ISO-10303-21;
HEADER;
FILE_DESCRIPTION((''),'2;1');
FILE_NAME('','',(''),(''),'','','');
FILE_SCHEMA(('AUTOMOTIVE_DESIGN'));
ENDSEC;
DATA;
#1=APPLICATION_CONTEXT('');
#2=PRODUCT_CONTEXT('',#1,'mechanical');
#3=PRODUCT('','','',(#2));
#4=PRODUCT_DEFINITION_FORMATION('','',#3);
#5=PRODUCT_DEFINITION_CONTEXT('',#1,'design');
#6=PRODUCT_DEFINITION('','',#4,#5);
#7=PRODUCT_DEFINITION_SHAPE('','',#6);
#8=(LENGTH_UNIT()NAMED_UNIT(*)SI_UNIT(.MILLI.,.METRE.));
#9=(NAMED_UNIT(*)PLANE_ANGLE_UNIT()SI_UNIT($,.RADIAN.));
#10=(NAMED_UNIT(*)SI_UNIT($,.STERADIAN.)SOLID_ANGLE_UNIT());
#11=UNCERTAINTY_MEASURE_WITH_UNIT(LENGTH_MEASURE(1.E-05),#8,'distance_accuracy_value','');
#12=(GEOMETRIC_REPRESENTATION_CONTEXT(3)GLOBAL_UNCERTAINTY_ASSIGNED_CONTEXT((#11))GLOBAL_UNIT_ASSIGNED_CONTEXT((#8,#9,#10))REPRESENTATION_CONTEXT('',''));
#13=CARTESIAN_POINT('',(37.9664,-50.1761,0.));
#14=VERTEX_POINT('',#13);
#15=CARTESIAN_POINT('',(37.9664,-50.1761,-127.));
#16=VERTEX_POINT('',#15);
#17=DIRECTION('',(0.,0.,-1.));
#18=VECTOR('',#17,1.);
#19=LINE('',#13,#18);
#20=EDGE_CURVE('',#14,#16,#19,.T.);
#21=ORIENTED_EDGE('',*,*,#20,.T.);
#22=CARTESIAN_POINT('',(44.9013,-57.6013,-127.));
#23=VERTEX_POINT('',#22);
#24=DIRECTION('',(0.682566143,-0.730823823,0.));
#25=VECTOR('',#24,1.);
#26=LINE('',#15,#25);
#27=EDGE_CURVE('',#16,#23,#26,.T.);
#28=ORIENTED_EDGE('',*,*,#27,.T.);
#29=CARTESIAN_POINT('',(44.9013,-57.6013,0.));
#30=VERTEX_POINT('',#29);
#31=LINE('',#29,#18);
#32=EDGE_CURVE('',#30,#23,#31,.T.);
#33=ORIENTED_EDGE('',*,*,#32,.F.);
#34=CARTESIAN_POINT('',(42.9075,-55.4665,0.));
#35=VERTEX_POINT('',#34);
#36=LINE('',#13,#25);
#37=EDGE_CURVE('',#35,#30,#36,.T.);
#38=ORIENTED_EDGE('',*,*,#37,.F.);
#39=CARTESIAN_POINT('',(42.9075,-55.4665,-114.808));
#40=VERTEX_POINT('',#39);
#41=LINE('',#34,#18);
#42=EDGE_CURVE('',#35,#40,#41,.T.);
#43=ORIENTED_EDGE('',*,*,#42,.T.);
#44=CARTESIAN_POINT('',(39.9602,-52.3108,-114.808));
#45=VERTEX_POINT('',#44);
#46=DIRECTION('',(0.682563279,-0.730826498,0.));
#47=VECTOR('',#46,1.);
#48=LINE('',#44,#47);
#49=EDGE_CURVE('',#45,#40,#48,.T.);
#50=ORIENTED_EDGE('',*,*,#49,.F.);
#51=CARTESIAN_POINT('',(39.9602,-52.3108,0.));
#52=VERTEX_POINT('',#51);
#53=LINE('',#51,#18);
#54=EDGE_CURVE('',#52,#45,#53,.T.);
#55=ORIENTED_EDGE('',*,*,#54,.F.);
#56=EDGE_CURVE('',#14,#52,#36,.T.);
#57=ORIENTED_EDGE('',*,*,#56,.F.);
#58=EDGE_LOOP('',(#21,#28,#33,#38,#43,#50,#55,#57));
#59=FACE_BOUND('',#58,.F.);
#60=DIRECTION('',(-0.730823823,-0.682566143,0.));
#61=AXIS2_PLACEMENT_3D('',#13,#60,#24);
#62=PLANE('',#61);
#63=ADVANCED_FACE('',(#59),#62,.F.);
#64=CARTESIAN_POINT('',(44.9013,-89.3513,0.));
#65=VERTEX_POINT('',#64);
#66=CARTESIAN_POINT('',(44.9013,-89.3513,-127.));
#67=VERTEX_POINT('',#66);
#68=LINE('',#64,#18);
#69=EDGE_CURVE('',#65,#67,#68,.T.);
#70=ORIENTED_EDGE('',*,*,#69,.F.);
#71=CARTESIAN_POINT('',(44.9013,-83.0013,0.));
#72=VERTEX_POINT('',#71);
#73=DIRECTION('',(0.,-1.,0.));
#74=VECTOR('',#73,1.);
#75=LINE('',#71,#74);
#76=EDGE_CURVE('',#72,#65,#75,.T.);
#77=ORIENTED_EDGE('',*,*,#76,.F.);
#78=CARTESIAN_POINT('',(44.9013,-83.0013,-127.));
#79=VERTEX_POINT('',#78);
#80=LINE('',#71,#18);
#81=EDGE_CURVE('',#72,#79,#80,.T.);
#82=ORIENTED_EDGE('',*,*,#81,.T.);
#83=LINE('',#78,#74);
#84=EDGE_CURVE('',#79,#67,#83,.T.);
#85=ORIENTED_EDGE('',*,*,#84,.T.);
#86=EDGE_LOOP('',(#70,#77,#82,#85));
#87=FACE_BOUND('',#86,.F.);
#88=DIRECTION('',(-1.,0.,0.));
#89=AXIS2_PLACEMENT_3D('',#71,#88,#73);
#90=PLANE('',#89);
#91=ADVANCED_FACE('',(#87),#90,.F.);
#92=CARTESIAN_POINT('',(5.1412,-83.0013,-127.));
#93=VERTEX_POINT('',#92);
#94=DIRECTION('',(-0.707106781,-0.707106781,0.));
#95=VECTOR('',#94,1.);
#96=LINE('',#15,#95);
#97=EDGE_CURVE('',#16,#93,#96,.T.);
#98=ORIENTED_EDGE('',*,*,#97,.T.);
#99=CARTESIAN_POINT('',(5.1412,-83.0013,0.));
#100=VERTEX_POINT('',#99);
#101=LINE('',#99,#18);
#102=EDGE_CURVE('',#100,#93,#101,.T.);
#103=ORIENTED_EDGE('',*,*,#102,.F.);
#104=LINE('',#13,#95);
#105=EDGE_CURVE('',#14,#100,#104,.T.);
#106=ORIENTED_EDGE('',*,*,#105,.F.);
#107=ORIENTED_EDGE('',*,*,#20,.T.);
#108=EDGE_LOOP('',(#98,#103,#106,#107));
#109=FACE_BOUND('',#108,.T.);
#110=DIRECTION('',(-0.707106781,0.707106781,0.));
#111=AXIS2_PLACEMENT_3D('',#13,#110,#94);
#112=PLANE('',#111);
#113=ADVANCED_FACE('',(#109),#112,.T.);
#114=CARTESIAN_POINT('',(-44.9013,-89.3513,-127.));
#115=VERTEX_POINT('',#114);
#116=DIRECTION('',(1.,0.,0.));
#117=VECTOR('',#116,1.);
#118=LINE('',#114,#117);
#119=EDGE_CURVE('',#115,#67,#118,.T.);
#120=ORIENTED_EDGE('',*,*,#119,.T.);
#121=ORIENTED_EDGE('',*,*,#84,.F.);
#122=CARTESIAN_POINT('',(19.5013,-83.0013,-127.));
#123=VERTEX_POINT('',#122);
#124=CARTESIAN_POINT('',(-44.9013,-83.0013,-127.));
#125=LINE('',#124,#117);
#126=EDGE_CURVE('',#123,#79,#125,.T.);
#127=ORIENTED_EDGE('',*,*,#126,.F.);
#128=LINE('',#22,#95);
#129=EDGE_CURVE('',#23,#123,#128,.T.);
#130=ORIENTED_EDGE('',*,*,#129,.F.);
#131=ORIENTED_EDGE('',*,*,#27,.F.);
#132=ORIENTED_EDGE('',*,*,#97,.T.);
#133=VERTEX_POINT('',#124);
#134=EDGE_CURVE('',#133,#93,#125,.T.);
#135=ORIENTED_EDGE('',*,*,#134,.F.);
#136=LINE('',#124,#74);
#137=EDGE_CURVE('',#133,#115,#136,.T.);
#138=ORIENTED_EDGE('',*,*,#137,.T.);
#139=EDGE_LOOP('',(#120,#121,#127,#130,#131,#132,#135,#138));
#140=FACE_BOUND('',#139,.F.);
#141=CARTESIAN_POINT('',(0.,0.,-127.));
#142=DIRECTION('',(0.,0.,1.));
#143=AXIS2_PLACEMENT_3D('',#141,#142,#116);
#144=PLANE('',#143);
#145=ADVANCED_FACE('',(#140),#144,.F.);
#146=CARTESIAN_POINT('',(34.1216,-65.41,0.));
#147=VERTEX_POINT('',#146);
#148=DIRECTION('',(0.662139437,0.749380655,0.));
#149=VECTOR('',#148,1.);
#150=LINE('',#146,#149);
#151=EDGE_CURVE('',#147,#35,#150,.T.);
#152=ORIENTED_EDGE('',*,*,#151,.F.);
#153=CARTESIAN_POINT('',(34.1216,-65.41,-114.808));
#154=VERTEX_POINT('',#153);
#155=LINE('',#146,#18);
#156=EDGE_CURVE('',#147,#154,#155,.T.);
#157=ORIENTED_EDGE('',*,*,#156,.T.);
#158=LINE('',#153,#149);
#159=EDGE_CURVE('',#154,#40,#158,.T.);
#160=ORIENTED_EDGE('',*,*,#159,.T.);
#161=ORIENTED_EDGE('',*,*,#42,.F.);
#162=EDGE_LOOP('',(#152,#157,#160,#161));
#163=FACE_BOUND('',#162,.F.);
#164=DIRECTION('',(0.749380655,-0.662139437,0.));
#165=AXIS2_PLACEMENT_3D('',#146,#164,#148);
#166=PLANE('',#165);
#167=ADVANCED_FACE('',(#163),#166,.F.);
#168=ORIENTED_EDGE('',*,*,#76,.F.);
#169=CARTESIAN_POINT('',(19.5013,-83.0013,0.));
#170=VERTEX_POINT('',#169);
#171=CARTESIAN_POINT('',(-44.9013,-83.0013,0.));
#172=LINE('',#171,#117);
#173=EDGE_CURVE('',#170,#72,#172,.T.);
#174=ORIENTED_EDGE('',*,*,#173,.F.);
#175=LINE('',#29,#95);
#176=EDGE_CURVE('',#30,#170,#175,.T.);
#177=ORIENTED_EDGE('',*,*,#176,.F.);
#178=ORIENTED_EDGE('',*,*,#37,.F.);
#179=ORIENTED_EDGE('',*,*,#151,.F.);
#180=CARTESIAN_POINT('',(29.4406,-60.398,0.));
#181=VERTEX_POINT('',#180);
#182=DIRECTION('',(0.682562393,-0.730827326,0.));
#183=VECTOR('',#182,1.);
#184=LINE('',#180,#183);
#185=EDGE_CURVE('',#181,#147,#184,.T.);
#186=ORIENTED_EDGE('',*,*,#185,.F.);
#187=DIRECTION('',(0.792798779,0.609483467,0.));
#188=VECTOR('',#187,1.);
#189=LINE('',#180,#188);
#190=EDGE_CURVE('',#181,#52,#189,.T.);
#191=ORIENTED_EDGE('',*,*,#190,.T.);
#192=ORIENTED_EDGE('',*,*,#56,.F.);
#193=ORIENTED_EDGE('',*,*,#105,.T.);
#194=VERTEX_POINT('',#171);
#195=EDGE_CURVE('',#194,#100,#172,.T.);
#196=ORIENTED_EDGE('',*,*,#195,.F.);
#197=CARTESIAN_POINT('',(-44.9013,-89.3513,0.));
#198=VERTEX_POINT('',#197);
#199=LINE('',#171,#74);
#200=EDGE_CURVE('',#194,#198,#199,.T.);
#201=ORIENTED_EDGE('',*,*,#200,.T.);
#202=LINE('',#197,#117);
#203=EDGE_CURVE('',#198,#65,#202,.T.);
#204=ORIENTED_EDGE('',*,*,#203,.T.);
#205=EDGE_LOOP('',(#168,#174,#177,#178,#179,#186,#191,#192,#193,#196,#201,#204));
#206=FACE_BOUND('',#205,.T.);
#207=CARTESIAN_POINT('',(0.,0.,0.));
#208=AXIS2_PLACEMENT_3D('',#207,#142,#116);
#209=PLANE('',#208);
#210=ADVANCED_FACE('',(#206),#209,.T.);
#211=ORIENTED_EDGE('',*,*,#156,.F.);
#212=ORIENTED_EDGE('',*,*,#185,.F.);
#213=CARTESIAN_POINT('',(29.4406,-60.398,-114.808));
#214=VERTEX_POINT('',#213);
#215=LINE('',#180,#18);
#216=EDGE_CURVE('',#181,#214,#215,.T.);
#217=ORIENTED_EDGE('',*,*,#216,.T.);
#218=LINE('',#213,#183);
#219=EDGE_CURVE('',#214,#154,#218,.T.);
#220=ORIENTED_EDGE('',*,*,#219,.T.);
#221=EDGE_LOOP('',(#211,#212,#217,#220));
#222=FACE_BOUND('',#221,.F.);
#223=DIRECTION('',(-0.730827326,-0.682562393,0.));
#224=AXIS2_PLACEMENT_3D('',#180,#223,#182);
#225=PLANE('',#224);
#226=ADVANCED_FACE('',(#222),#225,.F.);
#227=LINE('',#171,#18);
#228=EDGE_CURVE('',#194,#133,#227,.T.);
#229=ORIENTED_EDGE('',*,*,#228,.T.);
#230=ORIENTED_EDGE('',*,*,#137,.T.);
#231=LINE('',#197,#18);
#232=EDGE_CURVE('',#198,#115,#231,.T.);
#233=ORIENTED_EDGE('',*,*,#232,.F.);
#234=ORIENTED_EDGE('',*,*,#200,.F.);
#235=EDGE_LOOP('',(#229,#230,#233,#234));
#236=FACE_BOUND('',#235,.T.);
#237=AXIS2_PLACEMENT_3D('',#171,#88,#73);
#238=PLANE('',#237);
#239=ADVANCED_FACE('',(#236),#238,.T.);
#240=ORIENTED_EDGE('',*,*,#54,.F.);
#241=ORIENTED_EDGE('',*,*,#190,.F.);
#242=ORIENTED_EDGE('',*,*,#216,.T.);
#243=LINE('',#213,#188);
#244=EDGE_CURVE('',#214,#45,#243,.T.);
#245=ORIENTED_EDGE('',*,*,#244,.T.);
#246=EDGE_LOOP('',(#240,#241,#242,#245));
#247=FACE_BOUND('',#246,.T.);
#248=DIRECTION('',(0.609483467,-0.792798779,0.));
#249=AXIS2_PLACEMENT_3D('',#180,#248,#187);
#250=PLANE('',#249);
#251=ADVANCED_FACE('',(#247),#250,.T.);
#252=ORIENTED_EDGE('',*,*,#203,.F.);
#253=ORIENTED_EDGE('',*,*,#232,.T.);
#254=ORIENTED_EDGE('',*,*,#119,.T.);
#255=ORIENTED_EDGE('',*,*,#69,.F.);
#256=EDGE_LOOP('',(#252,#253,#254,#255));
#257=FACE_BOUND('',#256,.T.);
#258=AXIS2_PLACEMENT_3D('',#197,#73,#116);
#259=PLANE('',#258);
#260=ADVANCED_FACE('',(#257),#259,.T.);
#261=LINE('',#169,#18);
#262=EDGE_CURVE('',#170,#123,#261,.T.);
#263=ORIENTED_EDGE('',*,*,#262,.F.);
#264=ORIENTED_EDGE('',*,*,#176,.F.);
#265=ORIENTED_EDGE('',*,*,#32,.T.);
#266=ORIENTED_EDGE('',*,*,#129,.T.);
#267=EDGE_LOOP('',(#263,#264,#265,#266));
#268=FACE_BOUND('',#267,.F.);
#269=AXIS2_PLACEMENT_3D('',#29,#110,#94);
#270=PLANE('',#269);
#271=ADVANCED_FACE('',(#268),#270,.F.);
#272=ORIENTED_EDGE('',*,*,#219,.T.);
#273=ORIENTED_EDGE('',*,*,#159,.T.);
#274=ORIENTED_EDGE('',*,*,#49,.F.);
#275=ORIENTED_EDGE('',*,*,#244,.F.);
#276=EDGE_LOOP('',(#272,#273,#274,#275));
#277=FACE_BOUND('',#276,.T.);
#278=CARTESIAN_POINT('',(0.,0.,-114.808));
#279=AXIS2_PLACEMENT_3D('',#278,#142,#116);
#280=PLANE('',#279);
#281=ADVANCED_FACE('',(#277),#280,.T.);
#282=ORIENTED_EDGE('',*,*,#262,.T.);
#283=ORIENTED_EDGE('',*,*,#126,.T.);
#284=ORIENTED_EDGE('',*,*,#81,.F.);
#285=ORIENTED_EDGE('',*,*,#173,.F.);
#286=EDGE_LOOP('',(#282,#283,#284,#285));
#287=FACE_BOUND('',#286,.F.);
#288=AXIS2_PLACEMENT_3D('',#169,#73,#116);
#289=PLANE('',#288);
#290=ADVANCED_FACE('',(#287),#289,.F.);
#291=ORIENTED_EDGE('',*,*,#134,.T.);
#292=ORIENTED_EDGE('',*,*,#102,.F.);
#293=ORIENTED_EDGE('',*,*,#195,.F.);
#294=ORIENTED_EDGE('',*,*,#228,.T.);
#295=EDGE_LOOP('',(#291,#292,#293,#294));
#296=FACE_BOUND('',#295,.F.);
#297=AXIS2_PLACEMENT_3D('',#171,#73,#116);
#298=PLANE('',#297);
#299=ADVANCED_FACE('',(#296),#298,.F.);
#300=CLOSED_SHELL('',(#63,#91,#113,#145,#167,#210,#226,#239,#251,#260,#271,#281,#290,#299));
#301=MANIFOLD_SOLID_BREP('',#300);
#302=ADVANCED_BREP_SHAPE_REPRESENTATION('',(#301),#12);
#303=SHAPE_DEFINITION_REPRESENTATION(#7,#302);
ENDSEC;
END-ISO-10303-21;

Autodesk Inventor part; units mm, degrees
ref_plane "YZ Plane" through (0, 0, 0) normal (1, 0, 0) x (0, 1, 0)
ref_plane "XZ Plane" through (0, 0, 0) normal (0, 1, 0) x (-1, 0, 0)
ref_plane "XY Plane" through (0, 0, 0) normal (0, 0, 1) x (1, 0, 0)
sketch "Sketch1" plane through (0, 0, 0) normal (0, 0, 1) x (1, 0, 0)
  line L0 (44.9013, -57.6013) -> (44.9013, -83.0013) construction
  line L1 (-44.9013, -83.0013) -> (44.9013, -83.0013)
  line L2 (-44.9013, -83.0013) -> (-44.9013, -89.3513)
  line L3 (44.9013, -83.0013) -> (44.9013, -89.3513)
  line L4 (44.9013, -83.0013) -> (51.2513, -83.0013) construction
  line L5 (-44.9013, -89.3513) -> (44.9013, -89.3513)
  line L6 (44.9013, -57.6013) -> (19.5013, -83.0013)
  line L7 (44.9013, -57.6013) -> (80.8223, -57.6013) construction
  line L8 (44.9013, -57.6013) -> (37.9664, -50.1761) construction
  line L9 (37.9664, -50.1761) -> (5.1412, -83.0013)
  line L10 (37.9664, -50.1761) -> (84.3883, -50.1761) construction
  line L11 (37.9664, -50.1761) -> (44.9013, -57.6013)
  dimension "d4" = 25.4
  dimension "d7" = 6.35
  dimension "d8" = 90
  dimension "d9" = 135
  dimension "d10" = 10.16
  dimension "d11" = 135
extrude "Extrusion1" add sketch "Sketch1" against normal blind 127
sketch "Sketch5" plane through (0, 0, 0) normal (0, 0, 1) x (1, 0, 0)
  line L0 (39.9602, -52.3108) -> (42.9075, -55.4665)
  line L1 (44.9013, -57.6013) -> (37.9664, -50.1761) projected
  line L2 (29.4406, -60.398) -> (34.1216, -65.41)
  line L3 (41.4339, -53.8887) -> (31.7811, -62.904) construction
  line L4 (29.4406, -60.398) -> (39.9602, -52.3108)
  line L5 (34.1216, -65.41) -> (42.9075, -55.4665)
  point P0 (0, 0)
  dimension "d28" = 4.318
  dimension "d29" = 6.858
  dimension "d30" = 13.208
extrude "Extrusion5" cut sketch "Sketch5" against normal blind 114.808
properties part number "proto_1_base"
